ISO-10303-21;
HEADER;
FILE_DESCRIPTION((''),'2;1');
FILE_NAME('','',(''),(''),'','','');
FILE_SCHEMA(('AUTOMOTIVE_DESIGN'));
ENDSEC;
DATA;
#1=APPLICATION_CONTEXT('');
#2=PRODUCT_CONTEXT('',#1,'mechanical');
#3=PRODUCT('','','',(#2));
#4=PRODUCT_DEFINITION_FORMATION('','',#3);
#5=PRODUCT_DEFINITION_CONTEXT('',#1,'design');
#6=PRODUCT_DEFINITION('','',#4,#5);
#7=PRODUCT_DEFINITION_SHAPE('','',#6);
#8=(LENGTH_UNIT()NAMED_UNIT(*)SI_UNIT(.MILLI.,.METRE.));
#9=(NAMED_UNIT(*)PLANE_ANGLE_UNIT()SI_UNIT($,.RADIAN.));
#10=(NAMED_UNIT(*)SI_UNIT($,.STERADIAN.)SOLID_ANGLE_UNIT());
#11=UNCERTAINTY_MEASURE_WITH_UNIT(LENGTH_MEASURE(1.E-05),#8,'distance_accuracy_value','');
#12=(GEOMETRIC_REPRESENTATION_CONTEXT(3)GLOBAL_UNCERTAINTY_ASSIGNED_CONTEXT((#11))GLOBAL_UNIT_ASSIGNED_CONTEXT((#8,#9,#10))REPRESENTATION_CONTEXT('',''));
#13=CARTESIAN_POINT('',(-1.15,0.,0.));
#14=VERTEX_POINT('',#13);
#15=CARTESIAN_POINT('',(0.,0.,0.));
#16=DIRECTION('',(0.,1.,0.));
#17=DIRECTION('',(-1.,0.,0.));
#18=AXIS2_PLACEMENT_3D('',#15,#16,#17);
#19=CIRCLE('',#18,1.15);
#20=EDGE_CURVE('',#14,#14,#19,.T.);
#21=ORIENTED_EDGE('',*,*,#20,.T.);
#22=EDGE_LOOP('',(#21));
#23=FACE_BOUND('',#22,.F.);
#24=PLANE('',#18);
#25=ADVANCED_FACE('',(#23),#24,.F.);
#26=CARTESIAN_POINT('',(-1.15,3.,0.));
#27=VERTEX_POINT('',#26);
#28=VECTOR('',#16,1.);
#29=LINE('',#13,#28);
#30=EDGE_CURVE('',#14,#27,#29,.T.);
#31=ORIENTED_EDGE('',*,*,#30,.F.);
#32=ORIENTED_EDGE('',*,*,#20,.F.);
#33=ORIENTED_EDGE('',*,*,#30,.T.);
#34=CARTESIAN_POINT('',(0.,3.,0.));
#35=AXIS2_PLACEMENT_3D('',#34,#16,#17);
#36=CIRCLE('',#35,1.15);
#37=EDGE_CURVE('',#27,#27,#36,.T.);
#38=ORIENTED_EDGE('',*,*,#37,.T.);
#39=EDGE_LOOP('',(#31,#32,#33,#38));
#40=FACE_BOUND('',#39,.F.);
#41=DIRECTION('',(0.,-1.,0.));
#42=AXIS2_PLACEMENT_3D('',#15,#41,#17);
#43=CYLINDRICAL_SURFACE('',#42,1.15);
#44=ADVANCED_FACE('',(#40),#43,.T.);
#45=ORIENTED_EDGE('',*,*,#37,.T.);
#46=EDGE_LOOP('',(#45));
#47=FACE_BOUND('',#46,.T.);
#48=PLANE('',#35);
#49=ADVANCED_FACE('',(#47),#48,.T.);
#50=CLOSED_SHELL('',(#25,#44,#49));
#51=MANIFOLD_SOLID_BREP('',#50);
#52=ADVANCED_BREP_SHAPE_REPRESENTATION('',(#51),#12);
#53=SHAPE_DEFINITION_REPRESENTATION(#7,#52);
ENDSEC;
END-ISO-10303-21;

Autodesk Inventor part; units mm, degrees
ref_plane "YZ Plane" through (0, 0, 0) normal (1, 0, 0) x (0, 1, 0)
ref_plane "XZ Plane" through (0, 0, 0) normal (0, 1, 0) x (-1, 0, 0)
ref_plane "XY Plane" through (0, 0, 0) normal (0, 0, 1) x (1, 0, 0)
sketch "Sketch1" plane through (0, 0, 0) normal (0, 1, 0) x (-1, 0, 0)
  circle A0 centre (0, 0) radius 1.15
  point P0 (1.1476, -0.075)
  point P1 (-0.5088, 1.0313)
  point P2 (-0.6588, 0.9426)
  point P3 (-0.7388, -0.8813)
  point P4 (-0.5088, -1.0313)
  point P5 (1.1476, 0.075)
  dimension "d41" = 2.3
  dimension "d46" = 0.15
  dimension "d57" = 0.15
  dimension "d59" = 0.15
extrude "Extrusion3" add sketch "Sketch1" along normal blind 3
properties part number "Medium Peg Part"
